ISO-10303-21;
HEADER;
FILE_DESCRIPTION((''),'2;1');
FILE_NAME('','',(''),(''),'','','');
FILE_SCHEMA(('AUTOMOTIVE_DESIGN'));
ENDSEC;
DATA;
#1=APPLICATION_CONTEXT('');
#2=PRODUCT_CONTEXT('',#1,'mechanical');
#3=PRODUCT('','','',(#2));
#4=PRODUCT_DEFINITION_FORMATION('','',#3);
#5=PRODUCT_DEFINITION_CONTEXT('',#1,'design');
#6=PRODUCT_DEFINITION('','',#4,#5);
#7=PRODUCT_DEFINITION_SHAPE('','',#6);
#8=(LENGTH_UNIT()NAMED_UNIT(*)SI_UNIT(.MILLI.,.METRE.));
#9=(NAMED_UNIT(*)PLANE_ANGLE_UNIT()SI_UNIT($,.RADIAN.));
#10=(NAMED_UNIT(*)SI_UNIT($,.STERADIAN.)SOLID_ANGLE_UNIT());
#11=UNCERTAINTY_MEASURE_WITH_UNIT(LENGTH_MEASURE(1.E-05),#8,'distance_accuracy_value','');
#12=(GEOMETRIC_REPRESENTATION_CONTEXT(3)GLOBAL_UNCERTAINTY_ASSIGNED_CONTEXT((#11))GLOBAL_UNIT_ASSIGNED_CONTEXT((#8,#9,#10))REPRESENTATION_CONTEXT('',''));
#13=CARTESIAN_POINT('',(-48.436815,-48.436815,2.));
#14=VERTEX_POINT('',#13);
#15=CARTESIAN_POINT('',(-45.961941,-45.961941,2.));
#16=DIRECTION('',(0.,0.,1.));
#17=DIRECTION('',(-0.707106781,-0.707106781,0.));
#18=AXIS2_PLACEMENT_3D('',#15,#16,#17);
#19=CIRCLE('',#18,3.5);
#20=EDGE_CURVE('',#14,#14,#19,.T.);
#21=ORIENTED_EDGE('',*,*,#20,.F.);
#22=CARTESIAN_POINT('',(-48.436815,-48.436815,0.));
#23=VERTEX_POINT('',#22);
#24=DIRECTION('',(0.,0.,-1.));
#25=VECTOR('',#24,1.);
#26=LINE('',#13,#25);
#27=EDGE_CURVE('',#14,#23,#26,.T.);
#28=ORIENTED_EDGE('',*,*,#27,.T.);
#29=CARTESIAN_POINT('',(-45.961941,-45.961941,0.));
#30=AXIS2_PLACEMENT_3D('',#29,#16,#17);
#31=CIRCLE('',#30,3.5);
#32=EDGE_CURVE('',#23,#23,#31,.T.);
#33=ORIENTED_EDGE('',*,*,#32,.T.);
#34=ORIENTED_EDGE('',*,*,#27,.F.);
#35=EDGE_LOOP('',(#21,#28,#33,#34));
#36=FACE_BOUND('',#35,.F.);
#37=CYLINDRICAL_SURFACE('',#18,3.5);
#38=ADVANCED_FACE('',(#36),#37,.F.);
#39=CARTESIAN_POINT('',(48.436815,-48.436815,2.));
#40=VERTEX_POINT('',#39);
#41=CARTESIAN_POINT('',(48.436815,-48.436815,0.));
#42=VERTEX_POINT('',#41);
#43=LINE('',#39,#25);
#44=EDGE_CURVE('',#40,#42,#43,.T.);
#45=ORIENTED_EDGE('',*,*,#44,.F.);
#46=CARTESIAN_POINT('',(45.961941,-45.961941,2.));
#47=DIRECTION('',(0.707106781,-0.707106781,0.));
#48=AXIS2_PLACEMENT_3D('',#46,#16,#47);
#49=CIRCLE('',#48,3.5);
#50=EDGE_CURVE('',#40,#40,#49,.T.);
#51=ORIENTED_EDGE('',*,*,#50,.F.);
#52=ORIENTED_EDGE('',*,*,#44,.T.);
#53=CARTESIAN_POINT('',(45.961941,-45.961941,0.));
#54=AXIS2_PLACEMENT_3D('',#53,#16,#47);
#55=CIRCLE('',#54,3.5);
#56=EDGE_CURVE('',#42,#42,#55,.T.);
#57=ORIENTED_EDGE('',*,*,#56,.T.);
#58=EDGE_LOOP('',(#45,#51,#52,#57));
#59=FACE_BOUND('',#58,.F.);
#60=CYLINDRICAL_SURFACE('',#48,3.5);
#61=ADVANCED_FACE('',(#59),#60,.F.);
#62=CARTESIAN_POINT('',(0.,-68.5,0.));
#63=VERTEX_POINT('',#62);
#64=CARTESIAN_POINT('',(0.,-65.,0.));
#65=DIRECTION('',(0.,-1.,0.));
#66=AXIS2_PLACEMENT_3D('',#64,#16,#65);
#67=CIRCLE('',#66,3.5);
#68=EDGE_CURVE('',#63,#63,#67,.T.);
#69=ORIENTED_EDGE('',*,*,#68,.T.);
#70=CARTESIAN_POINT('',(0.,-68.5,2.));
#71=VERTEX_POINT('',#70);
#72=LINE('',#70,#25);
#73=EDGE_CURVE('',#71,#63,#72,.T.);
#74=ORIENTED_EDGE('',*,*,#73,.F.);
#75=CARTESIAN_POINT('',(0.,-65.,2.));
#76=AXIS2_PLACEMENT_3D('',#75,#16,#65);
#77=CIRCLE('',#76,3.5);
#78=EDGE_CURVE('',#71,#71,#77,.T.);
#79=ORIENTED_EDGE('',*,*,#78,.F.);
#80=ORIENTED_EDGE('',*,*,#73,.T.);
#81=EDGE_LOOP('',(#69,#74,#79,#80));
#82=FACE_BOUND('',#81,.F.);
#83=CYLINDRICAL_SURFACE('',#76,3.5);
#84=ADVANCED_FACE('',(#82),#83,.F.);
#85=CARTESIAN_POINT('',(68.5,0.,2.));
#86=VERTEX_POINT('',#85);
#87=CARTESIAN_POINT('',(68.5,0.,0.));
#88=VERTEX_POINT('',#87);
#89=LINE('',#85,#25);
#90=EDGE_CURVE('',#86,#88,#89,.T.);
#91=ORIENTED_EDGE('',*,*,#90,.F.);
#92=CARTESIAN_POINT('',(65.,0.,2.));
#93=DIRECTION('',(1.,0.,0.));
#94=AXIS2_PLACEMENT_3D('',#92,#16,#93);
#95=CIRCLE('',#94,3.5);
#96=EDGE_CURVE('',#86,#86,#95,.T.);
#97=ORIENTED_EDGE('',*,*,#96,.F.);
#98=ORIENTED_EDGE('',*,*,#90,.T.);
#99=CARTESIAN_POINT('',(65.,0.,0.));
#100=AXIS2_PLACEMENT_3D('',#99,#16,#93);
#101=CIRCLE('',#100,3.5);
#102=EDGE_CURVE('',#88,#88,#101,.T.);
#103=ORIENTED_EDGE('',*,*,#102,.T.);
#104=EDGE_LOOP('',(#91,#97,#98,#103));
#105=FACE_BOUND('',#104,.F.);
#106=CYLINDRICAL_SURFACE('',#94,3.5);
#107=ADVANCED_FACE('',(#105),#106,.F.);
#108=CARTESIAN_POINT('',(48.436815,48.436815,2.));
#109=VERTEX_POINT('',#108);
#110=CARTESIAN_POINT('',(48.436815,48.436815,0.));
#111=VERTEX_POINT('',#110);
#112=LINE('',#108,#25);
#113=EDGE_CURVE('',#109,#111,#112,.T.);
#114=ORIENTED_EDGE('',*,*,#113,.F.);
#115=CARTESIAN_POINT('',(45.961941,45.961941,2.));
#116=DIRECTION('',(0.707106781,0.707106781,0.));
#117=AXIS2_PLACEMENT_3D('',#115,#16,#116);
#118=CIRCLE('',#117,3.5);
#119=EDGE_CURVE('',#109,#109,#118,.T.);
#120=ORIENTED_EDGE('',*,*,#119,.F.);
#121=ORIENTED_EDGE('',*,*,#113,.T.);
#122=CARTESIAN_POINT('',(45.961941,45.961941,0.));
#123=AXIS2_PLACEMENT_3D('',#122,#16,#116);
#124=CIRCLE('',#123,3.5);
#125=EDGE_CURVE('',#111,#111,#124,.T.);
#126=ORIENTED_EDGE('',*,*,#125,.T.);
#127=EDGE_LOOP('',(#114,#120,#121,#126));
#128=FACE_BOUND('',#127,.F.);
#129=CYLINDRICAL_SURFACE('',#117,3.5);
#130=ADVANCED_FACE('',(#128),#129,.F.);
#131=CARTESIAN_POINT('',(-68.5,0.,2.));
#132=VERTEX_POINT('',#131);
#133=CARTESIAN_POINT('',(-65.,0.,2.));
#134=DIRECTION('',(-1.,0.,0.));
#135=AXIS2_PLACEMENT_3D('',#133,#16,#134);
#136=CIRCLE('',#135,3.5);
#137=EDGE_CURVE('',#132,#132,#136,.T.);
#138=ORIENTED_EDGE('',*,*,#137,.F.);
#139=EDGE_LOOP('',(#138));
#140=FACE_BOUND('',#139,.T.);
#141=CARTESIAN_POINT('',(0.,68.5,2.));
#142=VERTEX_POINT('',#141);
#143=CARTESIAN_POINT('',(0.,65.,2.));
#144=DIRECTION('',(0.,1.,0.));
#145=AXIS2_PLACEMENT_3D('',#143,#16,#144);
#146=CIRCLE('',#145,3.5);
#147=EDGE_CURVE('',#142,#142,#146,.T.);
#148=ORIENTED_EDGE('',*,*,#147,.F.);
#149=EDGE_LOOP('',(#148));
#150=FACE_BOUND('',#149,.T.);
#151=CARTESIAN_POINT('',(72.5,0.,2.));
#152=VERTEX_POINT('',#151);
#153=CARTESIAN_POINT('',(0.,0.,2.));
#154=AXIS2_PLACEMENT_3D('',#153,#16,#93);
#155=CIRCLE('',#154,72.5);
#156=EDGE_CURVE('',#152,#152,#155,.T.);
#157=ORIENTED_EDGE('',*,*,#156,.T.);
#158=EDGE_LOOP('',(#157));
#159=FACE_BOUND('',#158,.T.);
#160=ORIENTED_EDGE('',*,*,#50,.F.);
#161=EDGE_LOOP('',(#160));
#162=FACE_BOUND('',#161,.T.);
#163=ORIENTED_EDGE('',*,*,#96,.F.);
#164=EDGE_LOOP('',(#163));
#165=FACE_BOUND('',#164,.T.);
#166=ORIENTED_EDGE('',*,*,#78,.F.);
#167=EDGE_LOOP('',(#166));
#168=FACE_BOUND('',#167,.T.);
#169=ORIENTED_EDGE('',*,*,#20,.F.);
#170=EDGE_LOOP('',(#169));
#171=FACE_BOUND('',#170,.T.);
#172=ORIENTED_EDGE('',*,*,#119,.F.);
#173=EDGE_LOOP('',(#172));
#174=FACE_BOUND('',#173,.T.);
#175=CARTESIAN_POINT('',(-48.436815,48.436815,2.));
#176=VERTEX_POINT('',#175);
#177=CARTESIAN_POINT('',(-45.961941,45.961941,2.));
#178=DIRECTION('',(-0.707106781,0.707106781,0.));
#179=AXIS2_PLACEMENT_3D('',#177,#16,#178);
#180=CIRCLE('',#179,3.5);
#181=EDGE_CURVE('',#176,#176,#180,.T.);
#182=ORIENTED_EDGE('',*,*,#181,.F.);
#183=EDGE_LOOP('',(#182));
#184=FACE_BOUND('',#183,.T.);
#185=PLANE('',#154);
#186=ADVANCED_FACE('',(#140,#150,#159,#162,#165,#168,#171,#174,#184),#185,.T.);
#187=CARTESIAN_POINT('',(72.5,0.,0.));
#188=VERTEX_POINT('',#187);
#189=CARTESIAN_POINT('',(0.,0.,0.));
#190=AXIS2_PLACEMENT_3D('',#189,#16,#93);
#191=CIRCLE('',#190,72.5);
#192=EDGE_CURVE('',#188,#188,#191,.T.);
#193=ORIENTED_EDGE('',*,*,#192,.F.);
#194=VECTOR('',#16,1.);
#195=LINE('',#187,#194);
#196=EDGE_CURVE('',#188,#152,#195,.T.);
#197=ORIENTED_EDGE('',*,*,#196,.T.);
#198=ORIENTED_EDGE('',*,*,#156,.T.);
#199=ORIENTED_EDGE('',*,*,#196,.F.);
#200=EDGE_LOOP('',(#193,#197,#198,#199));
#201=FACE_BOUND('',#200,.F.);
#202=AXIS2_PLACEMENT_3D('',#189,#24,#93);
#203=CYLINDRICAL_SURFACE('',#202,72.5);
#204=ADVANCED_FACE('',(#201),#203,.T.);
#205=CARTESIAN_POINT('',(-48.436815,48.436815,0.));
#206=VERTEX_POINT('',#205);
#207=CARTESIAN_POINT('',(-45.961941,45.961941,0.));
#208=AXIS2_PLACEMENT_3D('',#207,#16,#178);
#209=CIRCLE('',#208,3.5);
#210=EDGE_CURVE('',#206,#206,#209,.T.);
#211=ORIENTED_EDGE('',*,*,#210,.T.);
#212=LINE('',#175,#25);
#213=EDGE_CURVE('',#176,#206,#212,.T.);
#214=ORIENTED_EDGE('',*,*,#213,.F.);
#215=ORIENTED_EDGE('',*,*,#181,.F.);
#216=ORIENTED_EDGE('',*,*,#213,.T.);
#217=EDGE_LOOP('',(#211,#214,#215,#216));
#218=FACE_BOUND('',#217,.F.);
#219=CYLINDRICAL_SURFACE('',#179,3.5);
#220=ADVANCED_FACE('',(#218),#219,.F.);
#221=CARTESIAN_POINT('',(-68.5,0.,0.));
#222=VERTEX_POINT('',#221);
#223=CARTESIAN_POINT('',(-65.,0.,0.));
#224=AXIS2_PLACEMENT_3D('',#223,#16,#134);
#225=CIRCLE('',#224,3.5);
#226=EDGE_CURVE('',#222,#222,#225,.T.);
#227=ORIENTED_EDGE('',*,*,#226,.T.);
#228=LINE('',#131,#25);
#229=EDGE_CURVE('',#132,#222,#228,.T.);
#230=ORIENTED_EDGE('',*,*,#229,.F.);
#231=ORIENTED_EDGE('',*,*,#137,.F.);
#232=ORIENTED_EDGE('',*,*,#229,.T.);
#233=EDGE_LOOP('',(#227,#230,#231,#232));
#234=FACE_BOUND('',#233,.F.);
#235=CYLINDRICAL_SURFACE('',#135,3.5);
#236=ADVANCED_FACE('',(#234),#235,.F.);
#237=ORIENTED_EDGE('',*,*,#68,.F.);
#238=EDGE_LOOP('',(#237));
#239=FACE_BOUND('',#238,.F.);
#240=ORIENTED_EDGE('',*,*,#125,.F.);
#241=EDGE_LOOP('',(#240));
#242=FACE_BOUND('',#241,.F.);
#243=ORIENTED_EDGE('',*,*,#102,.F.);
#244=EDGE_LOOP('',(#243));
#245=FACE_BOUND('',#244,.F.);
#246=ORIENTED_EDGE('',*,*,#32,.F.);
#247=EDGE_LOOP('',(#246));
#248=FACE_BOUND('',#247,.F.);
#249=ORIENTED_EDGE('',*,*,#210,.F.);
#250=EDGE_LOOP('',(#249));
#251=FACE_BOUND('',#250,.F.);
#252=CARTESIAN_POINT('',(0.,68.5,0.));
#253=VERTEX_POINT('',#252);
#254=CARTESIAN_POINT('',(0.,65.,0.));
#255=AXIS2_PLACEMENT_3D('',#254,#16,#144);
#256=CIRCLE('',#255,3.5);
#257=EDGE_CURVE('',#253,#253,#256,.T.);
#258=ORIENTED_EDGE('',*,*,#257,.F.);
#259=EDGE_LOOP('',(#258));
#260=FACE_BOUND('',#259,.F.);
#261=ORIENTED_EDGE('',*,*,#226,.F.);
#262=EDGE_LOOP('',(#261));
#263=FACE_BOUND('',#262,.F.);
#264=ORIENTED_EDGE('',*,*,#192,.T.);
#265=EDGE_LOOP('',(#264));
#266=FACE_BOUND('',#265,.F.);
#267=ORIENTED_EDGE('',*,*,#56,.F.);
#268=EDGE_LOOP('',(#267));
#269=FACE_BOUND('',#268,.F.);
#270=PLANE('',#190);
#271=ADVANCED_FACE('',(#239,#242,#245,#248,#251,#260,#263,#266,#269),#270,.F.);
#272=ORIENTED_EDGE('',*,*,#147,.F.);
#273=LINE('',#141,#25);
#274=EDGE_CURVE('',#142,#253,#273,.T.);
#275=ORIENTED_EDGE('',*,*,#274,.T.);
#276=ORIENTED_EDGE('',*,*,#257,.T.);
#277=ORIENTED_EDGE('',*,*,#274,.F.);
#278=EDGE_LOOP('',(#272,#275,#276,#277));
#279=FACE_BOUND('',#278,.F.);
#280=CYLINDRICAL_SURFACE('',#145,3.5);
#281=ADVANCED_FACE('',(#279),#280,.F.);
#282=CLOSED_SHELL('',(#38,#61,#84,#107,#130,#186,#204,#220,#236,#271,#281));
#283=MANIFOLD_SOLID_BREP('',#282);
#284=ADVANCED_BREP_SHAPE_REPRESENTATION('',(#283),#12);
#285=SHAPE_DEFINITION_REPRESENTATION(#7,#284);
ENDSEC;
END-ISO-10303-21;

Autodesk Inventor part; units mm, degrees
ref_plane "YZ Plane" through (0, 0, 0) normal (1, 0, 0) x (0, 1, 0)
ref_plane "XZ Plane" through (0, 0, 0) normal (0, 1, 0) x (-1, 0, 0)
ref_plane "XY Plane" through (0, 0, 0) normal (0, 0, 1) x (1, 0, 0)
sketch "Sketch1" plane through (0, 0, 0) normal (0, 0, 1) x (1, 0, 0)
  circle A0 centre (0, 0) radius 72.5
  dimension "d22" = 145
extrude "Plate1" add sketch "Sketch1" along normal blind 2
sketch "Sketch6" plane through (0, 0, 2) normal (0, 0, 1) x (1, 0, 0)
  circle A0 centre (65, 0) radius 3.5
  circle A1 centre (0, 0) radius 65 construction
  dimension "d37" = 130
  dimension "d36" = 7
extrude "Cut2" cut sketch "Sketch6" against normal blind 2
pattern_circular "Circular Pattern2" count 8 over 360 about axis through (0, 0, 0) along (0, 0, 1) of "Cut2"
equation "\"d38\" = Thickness"
equation "\"d2\" = Thickness"
equation "\"BendReliefWidth\" = Thickness"
equation "\"BendReliefDepth\" = 0.5 * Thickness"
equation "\"CornerReliefSize\" = 4 * Thickness"
equation "\"MinimumRemnant\" = 2 * Thickness"
equation "\"TransitionRadius\" = BendRadius"
equation "\"JacobiRadiusSize\" = BendRadius"
equation "\"GapSize\" = Thickness"
equation "\"Thickness\" = 2"
equation "\"BendRadius\" = 5"
properties part number "TKS 3556 BOTTOM DS cup plug" material "Stainless Steel"
